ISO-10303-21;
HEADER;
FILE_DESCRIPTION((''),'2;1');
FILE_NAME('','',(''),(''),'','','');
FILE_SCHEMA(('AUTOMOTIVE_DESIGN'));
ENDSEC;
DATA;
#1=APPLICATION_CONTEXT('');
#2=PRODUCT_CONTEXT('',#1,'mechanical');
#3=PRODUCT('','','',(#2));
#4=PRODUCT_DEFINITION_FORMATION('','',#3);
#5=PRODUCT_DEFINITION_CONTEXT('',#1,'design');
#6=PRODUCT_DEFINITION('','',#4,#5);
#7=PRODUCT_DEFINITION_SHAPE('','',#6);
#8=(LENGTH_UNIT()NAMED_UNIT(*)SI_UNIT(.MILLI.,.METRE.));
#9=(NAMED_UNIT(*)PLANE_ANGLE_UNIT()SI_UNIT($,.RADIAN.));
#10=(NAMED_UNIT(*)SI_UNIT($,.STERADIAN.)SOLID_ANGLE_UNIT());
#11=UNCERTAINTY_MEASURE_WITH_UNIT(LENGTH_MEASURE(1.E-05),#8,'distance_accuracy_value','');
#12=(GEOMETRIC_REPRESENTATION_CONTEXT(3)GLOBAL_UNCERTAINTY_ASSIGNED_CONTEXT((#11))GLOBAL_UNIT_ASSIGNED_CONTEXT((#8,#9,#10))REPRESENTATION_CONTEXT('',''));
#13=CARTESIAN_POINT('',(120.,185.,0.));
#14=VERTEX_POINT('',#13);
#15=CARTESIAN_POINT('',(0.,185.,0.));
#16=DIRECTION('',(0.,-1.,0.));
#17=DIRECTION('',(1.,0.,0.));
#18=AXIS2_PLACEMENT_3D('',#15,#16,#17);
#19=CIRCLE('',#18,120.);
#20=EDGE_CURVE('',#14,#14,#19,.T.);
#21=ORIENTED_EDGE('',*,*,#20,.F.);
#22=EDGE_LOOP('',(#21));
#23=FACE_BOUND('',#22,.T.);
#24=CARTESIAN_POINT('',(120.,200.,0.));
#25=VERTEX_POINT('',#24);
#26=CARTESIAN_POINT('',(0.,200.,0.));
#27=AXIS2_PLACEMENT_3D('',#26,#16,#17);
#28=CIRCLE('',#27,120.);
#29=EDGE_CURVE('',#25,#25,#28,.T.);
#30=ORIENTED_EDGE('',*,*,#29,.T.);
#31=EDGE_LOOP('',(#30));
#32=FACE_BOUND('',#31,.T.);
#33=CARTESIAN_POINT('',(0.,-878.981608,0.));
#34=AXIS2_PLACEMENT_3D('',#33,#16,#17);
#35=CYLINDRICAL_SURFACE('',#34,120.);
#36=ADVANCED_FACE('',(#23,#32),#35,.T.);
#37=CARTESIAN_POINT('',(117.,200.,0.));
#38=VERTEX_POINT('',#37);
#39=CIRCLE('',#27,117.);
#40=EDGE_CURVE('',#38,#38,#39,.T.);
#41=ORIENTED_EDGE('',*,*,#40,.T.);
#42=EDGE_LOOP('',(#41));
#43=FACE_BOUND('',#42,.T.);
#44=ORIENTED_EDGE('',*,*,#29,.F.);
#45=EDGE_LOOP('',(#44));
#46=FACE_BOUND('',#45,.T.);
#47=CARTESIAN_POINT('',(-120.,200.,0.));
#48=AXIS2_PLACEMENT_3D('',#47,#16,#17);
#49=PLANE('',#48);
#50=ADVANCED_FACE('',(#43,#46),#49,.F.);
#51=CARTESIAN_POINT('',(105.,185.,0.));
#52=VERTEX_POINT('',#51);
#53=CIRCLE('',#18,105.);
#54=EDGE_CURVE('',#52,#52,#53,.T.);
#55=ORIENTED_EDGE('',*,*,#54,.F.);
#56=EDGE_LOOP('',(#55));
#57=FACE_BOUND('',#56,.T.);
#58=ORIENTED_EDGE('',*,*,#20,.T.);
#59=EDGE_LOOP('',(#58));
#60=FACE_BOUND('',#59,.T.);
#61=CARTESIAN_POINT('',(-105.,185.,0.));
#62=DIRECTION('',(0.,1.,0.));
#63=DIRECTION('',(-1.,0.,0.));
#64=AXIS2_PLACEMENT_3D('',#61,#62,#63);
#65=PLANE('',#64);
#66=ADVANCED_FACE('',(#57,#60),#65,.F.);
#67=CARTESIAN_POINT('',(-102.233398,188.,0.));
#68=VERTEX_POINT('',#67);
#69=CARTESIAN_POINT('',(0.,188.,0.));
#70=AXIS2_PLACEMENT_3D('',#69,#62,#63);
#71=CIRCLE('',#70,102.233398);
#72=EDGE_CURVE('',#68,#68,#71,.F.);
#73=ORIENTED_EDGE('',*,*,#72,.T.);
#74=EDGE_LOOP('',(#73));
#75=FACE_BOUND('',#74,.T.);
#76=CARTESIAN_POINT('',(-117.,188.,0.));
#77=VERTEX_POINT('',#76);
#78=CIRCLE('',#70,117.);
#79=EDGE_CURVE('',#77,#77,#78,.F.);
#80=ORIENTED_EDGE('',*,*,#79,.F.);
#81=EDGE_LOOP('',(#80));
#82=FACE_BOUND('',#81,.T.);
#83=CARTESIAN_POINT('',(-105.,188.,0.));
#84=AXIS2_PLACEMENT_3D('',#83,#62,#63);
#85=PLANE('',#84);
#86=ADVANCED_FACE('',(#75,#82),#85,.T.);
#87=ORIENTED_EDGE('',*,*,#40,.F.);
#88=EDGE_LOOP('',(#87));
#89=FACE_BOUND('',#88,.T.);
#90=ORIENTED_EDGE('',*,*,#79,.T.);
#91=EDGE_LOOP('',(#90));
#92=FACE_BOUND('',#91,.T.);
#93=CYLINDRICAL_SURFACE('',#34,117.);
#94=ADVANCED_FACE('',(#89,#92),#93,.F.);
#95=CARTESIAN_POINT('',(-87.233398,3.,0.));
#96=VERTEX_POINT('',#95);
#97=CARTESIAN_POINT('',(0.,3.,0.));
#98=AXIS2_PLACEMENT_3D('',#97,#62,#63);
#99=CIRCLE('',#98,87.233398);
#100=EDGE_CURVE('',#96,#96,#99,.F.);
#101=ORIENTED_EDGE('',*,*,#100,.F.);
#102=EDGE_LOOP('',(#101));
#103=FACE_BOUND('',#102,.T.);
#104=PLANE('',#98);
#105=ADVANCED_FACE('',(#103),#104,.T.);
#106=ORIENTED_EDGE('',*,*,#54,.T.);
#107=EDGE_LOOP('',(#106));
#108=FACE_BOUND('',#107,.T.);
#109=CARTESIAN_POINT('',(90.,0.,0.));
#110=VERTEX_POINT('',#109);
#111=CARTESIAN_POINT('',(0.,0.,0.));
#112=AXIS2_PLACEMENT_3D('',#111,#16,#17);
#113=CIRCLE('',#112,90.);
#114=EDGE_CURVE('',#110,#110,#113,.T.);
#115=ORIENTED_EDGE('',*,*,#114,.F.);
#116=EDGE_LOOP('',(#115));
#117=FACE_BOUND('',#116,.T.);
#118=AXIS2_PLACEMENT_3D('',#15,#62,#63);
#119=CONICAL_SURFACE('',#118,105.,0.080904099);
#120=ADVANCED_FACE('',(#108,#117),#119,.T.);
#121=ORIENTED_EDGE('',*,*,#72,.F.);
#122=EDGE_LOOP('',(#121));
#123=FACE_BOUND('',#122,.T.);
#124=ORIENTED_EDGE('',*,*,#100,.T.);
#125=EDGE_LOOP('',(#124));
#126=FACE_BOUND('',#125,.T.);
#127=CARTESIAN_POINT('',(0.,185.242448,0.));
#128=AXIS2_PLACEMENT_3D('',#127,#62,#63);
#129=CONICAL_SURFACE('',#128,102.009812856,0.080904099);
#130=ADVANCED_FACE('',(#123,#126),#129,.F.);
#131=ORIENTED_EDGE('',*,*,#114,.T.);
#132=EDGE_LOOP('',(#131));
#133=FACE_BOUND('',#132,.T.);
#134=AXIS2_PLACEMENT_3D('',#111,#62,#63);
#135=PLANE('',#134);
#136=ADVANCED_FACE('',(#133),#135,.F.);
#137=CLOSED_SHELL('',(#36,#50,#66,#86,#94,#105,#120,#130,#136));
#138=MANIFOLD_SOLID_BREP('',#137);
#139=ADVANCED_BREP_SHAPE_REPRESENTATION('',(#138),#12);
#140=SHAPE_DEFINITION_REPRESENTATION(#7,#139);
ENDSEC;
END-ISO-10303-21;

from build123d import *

# Parameters (mm, degrees)
SHELL_1_T = -3


with BuildPart() as part:
    # 草图1 → 旋转1 (revolve)
    with BuildSketch(Plane.XY, mode=Mode.PRIVATE) as revolve_1_sk:
        Polygon((0, 0), (-90, 0), (-105, 185), (-120, 185), (-120, 200), (0, 200), align=None)
    revolve(revolve_1_sk.sketch.rotate(Axis((0, -878.981608445, 0), (0, 1, 0)), 180), axis=Axis((0, -878.981608445, 0), (0, 1, 0)))

    # 抽壳1
    shell_1_openings = [part.faces().sort_by_distance(p)[0] for p in [
        (0, 200, 0),
    ]]
    offset(amount=SHELL_1_T, openings=shell_1_openings, kind=Kind.INTERSECTION)


solid = part.part
